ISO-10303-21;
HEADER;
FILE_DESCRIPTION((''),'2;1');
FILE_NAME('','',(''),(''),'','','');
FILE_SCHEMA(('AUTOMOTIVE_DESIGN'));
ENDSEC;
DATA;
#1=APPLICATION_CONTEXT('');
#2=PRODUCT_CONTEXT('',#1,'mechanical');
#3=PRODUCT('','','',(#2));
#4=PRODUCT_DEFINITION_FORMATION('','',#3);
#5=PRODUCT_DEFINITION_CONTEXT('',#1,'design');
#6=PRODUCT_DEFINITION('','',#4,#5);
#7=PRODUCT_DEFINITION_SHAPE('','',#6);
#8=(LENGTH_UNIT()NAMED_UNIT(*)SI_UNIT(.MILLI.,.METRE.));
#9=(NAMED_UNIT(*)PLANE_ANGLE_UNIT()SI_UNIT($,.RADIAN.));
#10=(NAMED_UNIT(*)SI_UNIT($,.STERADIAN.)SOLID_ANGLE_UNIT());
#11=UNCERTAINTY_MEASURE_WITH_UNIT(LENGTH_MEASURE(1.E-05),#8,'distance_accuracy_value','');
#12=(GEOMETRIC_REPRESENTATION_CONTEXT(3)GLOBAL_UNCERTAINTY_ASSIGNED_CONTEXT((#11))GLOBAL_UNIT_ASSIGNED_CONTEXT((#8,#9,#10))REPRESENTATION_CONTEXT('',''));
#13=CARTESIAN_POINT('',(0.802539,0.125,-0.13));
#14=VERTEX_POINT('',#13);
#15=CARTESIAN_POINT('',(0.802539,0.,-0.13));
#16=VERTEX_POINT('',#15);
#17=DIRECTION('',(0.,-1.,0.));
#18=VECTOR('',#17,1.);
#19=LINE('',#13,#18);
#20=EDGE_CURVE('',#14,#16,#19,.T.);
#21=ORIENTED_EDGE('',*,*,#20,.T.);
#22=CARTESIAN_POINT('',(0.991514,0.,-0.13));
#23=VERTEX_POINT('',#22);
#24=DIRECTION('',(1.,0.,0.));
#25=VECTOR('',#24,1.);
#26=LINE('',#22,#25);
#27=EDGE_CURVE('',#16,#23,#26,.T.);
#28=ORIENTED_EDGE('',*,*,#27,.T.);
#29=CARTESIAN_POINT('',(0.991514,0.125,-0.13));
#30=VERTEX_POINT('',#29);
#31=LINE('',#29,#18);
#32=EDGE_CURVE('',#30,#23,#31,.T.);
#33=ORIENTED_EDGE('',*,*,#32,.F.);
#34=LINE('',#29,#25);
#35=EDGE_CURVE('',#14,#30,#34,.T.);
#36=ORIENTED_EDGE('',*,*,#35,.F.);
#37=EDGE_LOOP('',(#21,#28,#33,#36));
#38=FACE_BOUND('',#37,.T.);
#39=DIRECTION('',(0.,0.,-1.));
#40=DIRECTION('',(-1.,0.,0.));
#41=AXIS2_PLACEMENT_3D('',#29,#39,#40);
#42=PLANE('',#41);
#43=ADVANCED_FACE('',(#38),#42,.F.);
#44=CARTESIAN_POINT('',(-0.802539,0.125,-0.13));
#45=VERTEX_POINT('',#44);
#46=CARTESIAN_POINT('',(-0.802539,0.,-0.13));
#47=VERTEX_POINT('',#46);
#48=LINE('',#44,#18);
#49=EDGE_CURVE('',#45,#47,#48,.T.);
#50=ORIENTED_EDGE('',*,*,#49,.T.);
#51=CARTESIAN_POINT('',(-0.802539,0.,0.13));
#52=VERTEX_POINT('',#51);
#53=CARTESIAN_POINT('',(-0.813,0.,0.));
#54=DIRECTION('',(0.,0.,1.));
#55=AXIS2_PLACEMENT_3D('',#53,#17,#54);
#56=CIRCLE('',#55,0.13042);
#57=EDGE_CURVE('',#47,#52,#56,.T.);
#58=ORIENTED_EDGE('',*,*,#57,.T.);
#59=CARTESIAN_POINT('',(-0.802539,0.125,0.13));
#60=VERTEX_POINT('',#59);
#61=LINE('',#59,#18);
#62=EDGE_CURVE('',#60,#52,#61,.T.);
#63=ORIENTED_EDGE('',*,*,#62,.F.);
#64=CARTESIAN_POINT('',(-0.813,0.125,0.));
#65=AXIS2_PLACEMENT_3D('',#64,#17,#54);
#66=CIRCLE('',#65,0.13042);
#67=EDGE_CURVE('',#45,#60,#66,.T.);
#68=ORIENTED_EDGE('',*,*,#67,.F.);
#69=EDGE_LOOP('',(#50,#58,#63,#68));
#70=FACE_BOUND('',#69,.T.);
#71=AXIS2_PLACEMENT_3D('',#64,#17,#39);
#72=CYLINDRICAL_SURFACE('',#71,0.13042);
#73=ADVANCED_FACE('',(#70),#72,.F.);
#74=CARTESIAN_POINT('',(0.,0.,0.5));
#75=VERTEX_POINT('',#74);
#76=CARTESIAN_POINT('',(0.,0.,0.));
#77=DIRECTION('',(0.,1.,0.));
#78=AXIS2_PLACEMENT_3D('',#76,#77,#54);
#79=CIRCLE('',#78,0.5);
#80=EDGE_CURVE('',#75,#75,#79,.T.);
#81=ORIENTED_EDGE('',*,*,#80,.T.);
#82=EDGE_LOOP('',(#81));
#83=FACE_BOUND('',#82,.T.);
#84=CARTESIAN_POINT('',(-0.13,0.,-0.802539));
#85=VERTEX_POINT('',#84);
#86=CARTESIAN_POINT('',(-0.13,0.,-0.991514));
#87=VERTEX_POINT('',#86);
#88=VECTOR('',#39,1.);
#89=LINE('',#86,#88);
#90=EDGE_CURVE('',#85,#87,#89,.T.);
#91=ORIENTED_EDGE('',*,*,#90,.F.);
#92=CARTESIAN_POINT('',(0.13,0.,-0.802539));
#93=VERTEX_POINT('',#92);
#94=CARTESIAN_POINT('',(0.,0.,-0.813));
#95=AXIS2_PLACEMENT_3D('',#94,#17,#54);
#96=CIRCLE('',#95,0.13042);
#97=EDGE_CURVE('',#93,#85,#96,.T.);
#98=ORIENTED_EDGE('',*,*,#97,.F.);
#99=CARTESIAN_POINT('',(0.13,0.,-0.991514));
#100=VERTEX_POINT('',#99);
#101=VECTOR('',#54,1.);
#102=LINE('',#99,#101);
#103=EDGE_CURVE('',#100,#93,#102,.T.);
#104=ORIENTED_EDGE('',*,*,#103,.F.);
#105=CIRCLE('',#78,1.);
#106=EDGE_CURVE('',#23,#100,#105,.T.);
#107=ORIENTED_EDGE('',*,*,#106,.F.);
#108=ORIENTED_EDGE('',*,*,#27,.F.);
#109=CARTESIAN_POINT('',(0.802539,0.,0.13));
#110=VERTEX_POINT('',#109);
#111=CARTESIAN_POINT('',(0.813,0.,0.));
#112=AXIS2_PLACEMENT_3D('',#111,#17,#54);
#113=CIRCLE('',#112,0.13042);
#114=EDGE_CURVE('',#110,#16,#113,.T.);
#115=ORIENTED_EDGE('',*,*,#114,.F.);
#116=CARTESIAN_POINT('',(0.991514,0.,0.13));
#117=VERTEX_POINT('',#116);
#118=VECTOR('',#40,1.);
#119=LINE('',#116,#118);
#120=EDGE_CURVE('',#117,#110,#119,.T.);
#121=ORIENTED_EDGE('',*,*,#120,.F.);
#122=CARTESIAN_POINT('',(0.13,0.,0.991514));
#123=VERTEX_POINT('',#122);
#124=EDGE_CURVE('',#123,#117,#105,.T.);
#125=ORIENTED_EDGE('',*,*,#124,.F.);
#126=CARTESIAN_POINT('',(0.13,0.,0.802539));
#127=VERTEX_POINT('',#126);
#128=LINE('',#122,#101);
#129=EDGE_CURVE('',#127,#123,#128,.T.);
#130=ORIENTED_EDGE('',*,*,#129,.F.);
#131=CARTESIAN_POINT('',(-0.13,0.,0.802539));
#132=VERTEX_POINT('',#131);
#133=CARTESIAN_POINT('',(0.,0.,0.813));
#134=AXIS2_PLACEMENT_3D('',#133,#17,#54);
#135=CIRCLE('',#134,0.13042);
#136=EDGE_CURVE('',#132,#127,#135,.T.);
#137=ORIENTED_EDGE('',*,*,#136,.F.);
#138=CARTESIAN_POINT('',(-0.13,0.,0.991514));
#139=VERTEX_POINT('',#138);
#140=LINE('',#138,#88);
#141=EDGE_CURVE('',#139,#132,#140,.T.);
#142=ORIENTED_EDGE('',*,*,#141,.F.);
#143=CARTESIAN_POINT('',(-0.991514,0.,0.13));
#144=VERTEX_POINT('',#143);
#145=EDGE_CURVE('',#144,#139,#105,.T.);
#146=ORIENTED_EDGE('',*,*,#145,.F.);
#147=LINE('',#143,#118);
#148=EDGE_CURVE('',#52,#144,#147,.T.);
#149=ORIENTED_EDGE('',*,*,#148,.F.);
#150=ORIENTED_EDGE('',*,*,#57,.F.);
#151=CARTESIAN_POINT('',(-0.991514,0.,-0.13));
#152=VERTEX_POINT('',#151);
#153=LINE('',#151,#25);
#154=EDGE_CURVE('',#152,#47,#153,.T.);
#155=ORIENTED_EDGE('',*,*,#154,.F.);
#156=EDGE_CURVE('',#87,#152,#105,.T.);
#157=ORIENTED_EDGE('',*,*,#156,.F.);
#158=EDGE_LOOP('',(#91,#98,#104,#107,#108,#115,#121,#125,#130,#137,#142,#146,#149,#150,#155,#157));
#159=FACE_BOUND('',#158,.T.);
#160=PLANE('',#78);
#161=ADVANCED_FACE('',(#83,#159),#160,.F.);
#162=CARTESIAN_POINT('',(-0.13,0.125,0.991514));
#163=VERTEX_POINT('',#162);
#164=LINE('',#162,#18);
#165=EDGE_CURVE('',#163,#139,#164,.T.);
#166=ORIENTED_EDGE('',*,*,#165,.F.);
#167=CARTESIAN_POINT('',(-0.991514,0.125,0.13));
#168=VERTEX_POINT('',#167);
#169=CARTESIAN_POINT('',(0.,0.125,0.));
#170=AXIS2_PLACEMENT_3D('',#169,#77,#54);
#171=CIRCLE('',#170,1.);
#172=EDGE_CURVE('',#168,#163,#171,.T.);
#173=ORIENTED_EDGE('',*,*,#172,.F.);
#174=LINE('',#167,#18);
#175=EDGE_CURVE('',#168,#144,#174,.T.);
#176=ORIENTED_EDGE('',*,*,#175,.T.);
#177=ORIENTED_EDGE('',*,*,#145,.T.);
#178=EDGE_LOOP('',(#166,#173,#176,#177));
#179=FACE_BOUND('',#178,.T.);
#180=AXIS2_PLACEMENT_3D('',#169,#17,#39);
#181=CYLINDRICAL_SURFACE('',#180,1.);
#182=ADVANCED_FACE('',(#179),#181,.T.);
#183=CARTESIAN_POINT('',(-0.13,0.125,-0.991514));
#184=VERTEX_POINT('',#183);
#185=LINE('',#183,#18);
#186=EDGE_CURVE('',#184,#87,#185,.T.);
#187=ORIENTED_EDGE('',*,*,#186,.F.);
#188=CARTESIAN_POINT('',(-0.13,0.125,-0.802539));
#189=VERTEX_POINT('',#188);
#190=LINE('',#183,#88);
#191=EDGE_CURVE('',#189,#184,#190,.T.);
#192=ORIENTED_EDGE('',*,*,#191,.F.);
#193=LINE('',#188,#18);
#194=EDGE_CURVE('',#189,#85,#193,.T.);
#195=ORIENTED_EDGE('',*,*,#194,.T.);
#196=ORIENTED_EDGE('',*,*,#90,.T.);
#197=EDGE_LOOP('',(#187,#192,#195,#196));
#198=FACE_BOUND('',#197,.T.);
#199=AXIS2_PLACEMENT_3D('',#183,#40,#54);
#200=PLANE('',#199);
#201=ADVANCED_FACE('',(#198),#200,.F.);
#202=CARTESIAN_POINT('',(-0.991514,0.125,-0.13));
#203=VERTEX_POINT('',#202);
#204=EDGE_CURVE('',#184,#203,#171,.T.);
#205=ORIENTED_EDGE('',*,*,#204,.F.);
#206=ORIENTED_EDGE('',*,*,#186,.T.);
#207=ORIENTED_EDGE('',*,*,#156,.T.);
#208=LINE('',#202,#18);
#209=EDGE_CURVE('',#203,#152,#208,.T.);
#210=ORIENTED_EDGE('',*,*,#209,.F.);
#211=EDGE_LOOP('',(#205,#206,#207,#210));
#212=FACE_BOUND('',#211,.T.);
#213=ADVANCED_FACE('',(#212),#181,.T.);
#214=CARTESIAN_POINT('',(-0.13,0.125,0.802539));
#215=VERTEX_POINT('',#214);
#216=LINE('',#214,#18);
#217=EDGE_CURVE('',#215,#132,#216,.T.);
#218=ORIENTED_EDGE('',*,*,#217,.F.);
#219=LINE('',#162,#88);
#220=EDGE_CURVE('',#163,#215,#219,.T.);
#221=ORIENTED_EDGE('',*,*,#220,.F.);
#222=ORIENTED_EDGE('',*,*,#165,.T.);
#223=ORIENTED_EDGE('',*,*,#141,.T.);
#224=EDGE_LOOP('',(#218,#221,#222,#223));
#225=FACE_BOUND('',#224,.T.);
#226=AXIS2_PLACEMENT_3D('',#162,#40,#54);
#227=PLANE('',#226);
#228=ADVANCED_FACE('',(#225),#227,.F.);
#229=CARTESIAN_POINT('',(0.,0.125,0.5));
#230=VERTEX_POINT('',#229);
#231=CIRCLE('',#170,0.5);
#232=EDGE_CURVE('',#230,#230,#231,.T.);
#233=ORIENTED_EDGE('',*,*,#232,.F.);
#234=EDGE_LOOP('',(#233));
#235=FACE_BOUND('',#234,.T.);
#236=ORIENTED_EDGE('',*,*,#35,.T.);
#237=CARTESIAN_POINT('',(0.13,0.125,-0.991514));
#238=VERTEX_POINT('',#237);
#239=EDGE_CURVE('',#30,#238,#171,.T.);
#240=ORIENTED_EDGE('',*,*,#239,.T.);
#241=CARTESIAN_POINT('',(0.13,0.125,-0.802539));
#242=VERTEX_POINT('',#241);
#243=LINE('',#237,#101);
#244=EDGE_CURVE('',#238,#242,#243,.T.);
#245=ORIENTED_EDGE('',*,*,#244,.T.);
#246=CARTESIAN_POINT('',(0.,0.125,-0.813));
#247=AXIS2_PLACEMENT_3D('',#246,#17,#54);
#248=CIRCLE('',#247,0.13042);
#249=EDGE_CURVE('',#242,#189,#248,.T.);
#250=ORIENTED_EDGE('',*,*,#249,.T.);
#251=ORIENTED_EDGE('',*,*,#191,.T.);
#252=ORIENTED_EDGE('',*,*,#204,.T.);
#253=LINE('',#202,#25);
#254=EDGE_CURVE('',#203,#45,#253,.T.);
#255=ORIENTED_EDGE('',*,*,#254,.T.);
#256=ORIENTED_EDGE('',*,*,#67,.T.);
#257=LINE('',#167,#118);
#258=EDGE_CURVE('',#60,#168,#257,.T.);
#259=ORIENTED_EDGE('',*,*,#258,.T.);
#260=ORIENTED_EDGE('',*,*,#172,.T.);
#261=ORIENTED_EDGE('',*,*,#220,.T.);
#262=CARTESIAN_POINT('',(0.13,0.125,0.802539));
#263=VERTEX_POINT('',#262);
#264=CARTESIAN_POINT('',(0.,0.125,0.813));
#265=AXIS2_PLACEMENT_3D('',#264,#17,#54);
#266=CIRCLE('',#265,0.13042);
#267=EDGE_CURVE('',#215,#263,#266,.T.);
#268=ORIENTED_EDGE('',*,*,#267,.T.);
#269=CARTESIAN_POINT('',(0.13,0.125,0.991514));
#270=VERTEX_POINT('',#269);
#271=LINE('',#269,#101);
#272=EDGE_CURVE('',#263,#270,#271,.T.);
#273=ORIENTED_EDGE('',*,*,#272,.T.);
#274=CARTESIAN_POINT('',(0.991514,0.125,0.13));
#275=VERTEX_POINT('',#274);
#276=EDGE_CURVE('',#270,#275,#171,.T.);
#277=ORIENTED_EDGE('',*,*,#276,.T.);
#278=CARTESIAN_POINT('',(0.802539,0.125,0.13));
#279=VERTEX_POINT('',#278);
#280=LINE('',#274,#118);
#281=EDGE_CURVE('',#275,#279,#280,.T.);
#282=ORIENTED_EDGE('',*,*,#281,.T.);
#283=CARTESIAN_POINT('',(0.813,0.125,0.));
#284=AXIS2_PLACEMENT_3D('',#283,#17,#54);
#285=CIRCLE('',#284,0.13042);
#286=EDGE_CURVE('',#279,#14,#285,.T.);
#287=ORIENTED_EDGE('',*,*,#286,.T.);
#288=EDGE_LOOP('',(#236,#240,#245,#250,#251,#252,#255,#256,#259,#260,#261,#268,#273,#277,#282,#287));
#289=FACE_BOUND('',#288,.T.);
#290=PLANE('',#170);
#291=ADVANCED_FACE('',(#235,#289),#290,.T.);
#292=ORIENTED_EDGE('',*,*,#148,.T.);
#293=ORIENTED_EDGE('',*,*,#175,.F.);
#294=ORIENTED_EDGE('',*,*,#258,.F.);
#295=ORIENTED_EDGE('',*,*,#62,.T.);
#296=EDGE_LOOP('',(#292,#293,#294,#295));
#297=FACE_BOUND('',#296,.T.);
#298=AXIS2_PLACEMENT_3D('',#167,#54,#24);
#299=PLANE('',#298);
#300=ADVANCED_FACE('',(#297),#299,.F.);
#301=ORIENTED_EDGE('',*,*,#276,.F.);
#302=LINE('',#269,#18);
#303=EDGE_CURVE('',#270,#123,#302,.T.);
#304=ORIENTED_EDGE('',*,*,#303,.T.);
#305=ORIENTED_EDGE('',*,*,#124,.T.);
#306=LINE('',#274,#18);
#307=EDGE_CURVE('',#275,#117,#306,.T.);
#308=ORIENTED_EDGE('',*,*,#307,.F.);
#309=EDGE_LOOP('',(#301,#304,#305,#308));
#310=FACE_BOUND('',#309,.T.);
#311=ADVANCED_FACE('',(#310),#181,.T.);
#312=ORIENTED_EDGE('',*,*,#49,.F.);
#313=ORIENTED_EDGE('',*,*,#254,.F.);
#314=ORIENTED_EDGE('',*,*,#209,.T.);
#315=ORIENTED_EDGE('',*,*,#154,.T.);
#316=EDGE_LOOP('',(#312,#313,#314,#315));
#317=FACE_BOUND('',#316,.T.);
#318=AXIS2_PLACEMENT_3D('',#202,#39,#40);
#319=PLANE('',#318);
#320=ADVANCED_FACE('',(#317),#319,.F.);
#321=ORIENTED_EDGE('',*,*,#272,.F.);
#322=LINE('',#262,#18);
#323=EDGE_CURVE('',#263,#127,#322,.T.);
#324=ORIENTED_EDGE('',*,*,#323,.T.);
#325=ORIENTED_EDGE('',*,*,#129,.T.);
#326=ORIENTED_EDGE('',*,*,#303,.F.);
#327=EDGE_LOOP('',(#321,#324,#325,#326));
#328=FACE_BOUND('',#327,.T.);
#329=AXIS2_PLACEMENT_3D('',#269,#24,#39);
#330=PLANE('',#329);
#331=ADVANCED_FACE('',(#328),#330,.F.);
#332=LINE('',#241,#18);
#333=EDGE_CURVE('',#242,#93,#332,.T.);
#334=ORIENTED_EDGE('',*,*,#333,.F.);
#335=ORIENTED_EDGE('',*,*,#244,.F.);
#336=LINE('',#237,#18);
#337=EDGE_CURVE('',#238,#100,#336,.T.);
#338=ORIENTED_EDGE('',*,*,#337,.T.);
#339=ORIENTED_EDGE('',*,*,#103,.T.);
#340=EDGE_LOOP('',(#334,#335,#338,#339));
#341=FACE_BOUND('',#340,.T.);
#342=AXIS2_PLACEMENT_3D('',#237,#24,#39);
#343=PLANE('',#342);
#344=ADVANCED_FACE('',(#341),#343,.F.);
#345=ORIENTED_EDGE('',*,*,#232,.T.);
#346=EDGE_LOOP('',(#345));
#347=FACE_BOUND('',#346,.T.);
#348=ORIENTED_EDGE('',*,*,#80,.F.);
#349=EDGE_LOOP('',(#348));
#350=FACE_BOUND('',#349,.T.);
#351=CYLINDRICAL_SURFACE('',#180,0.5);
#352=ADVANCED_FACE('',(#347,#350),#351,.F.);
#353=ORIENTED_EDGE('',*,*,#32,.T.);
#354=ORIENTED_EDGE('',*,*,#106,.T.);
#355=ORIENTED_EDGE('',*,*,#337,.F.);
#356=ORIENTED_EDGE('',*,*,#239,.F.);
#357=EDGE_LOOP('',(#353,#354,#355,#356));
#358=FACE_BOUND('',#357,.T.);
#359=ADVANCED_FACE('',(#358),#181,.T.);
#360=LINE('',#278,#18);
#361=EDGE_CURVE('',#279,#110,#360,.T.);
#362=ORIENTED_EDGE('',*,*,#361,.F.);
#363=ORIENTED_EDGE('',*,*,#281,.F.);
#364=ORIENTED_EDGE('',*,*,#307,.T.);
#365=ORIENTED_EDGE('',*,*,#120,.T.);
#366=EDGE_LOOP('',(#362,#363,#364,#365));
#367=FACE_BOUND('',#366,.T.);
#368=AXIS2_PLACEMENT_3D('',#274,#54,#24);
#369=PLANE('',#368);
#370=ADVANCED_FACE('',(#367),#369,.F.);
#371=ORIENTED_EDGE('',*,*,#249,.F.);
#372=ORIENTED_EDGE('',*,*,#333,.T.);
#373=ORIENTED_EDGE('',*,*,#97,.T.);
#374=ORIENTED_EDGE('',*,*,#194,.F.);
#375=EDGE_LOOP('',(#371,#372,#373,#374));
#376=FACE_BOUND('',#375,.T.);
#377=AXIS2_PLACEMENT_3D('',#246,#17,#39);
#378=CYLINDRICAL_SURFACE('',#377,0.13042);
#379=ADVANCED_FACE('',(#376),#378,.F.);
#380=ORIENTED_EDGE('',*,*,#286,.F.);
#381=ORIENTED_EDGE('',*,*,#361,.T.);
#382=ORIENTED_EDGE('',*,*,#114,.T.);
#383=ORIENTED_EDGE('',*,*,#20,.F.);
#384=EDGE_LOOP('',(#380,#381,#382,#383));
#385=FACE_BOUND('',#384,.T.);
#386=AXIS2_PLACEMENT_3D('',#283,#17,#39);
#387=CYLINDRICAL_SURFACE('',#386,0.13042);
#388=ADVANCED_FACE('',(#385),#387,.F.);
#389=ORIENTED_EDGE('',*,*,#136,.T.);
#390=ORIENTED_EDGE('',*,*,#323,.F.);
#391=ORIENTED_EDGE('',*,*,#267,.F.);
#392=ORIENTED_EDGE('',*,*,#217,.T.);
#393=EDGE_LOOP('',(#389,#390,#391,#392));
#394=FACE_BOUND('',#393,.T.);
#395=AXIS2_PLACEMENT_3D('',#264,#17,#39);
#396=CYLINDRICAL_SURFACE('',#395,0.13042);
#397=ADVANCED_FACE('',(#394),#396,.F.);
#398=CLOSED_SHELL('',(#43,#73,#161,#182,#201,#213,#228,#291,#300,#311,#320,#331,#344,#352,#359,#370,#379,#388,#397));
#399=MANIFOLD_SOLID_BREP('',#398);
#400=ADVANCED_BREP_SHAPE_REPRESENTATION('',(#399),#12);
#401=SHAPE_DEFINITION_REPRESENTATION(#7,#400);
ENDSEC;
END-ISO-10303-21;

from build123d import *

# Parameters (mm, degrees)
SKETCH1_R           = 0.5
BOSS_EXTRUDE1_DEPTH = 0.125


with BuildPart() as part:
    # Sketch1 → Boss-Extrude1 (new body)
    with BuildSketch(Plane(origin=(0, 0, 0), x_dir=(1, 0, 0), z_dir=(0, 1, 0))):
        with BuildLine():
            Line((0.13, 0.991513994), (0.13, 0.802539096))
            ThreePointArc((0.13, 0.802539096), (0, 0.682579793), (-0.13, 0.802539096))
            Line((-0.13, 0.802539096), (-0.13, 0.991513994))
            ThreePointArc((-0.13, 0.991513994), (-0.707106781, 0.707106781), (-0.991513994, 0.13))
            Line((-0.991513994, 0.13), (-0.802539096, 0.13))
            ThreePointArc((-0.802539096, 0.13), (-0.682579793, 0), (-0.802539096, -0.13))
            Line((-0.802539096, -0.13), (-0.991513994, -0.13))
            ThreePointArc((-0.991513994, -0.13), (-0.707106781, -0.707106781), (-0.13, -0.991513994))
            Line((-0.13, -0.991513994), (-0.13, -0.802539096))
            ThreePointArc((-0.13, -0.802539096), (0, -0.682579793), (0.13, -0.802539096))
            Line((0.13, -0.802539096), (0.13, -0.991513994))
            ThreePointArc((0.13, -0.991513994), (0.707106781, -0.707106781), (0.991513994, -0.13))
            Line((0.991513994, -0.13), (0.802539096, -0.13))
            ThreePointArc((0.802539096, -0.13), (0.682579793, 0), (0.802539096, 0.13))
            Line((0.802539096, 0.13), (0.991513994, 0.13))
            ThreePointArc((0.991513994, 0.13), (0.707106781, 0.707106781), (0.13, 0.991513994))
        make_face()
        with Locations(Location((0, 0, 0), (0, 0, 270))):
            Circle(SKETCH1_R, mode=Mode.SUBTRACT)
    extrude(amount=BOSS_EXTRUDE1_DEPTH)


solid = part.part
